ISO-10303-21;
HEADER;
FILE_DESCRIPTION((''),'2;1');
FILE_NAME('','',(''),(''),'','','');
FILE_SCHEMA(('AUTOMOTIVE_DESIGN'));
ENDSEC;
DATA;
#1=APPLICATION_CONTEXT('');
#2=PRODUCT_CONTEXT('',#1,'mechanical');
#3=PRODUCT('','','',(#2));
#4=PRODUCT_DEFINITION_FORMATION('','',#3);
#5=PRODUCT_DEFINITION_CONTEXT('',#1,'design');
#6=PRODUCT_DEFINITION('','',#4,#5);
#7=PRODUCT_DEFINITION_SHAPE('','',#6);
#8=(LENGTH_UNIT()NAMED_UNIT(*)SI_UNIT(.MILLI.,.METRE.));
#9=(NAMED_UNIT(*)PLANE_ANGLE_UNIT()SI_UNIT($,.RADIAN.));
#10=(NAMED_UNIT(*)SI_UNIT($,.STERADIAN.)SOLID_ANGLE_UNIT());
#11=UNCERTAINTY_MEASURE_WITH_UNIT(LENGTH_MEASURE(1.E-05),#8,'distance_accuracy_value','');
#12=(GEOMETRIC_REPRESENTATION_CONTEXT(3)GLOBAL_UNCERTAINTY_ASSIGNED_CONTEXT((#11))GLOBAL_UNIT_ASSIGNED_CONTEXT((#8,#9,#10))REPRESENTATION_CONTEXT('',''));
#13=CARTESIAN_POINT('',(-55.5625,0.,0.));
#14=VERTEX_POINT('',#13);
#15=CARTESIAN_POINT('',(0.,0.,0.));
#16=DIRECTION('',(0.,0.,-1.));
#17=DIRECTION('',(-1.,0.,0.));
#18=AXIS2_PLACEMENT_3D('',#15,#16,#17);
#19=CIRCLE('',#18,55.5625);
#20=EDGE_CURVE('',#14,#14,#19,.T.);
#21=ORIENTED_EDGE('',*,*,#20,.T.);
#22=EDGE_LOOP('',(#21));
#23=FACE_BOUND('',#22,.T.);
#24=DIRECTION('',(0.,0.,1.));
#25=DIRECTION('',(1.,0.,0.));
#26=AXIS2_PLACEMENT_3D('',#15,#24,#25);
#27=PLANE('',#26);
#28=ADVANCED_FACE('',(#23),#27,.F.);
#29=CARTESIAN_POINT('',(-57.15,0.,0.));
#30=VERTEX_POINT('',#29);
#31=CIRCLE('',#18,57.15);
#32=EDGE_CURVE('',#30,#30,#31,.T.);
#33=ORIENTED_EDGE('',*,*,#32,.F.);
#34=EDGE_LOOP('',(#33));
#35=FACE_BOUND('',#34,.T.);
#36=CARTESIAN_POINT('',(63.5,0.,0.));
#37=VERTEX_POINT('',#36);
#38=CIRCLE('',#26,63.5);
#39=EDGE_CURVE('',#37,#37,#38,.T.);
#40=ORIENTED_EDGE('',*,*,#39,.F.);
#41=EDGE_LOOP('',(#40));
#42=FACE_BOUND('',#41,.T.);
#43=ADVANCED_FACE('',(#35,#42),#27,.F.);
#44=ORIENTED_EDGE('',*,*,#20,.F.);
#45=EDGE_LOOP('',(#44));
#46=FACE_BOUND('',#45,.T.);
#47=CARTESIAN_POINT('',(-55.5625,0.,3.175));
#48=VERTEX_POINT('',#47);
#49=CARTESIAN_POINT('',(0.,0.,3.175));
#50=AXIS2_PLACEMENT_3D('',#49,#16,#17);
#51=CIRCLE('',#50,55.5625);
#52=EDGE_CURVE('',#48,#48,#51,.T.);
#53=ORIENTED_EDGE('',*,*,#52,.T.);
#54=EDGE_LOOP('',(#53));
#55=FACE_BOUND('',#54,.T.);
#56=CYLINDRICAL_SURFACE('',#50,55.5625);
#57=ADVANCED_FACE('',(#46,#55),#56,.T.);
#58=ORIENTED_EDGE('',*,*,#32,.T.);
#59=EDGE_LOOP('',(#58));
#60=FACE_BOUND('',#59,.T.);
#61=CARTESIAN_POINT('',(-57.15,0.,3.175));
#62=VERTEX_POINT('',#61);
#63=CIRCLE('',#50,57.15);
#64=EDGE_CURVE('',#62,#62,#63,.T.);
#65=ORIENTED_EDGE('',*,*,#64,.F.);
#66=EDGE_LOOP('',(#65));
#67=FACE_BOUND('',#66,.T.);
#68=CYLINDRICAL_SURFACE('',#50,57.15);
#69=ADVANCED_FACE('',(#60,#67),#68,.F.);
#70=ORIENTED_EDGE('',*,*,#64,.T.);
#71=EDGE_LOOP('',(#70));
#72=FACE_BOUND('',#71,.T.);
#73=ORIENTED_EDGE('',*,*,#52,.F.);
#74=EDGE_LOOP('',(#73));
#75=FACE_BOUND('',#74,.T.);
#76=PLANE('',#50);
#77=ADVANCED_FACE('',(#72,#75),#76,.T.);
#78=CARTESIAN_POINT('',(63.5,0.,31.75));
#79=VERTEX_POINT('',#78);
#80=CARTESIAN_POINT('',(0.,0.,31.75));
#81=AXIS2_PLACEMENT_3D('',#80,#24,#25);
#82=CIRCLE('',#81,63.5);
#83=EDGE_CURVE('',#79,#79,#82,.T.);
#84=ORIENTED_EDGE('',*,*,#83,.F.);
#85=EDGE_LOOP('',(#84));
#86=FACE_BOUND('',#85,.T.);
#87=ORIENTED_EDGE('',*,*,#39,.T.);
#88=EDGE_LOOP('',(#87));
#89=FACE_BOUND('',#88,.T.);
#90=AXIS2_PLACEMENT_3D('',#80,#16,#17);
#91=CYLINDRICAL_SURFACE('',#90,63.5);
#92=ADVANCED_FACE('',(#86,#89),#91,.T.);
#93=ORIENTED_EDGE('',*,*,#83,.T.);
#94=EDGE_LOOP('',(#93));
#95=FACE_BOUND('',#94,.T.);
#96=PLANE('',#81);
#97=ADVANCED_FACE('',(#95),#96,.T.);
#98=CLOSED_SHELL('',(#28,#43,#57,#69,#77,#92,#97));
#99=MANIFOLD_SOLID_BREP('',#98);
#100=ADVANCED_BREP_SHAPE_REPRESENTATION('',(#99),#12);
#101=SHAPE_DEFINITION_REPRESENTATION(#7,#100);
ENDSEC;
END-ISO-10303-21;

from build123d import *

# Parameters (mm, degrees)
SKETCH1_R           = 63.5
BOSS_EXTRUDE1_DEPTH = 31.75
SKETCH2_R           = 57.15
SKETCH2_R_2         = 55.5625
CUT_EXTRUDE1_DEPTH  = 3.175


with BuildPart() as part:
    # Sketch1 → Boss-Extrude1 (new body)
    with BuildSketch(Plane.XY):
        Circle(SKETCH1_R)
    extrude(amount=BOSS_EXTRUDE1_DEPTH)

    # Sketch2 → Cut-Extrude1 (cut)
    with BuildSketch(Plane(origin=(0, 0, 0), x_dir=(-1, 0, 0), z_dir=(0, 0, -1))):
        Circle(SKETCH2_R)
        Circle(SKETCH2_R_2, mode=Mode.SUBTRACT)
    extrude(amount=-CUT_EXTRUDE1_DEPTH, mode=Mode.SUBTRACT)


solid = part.part
